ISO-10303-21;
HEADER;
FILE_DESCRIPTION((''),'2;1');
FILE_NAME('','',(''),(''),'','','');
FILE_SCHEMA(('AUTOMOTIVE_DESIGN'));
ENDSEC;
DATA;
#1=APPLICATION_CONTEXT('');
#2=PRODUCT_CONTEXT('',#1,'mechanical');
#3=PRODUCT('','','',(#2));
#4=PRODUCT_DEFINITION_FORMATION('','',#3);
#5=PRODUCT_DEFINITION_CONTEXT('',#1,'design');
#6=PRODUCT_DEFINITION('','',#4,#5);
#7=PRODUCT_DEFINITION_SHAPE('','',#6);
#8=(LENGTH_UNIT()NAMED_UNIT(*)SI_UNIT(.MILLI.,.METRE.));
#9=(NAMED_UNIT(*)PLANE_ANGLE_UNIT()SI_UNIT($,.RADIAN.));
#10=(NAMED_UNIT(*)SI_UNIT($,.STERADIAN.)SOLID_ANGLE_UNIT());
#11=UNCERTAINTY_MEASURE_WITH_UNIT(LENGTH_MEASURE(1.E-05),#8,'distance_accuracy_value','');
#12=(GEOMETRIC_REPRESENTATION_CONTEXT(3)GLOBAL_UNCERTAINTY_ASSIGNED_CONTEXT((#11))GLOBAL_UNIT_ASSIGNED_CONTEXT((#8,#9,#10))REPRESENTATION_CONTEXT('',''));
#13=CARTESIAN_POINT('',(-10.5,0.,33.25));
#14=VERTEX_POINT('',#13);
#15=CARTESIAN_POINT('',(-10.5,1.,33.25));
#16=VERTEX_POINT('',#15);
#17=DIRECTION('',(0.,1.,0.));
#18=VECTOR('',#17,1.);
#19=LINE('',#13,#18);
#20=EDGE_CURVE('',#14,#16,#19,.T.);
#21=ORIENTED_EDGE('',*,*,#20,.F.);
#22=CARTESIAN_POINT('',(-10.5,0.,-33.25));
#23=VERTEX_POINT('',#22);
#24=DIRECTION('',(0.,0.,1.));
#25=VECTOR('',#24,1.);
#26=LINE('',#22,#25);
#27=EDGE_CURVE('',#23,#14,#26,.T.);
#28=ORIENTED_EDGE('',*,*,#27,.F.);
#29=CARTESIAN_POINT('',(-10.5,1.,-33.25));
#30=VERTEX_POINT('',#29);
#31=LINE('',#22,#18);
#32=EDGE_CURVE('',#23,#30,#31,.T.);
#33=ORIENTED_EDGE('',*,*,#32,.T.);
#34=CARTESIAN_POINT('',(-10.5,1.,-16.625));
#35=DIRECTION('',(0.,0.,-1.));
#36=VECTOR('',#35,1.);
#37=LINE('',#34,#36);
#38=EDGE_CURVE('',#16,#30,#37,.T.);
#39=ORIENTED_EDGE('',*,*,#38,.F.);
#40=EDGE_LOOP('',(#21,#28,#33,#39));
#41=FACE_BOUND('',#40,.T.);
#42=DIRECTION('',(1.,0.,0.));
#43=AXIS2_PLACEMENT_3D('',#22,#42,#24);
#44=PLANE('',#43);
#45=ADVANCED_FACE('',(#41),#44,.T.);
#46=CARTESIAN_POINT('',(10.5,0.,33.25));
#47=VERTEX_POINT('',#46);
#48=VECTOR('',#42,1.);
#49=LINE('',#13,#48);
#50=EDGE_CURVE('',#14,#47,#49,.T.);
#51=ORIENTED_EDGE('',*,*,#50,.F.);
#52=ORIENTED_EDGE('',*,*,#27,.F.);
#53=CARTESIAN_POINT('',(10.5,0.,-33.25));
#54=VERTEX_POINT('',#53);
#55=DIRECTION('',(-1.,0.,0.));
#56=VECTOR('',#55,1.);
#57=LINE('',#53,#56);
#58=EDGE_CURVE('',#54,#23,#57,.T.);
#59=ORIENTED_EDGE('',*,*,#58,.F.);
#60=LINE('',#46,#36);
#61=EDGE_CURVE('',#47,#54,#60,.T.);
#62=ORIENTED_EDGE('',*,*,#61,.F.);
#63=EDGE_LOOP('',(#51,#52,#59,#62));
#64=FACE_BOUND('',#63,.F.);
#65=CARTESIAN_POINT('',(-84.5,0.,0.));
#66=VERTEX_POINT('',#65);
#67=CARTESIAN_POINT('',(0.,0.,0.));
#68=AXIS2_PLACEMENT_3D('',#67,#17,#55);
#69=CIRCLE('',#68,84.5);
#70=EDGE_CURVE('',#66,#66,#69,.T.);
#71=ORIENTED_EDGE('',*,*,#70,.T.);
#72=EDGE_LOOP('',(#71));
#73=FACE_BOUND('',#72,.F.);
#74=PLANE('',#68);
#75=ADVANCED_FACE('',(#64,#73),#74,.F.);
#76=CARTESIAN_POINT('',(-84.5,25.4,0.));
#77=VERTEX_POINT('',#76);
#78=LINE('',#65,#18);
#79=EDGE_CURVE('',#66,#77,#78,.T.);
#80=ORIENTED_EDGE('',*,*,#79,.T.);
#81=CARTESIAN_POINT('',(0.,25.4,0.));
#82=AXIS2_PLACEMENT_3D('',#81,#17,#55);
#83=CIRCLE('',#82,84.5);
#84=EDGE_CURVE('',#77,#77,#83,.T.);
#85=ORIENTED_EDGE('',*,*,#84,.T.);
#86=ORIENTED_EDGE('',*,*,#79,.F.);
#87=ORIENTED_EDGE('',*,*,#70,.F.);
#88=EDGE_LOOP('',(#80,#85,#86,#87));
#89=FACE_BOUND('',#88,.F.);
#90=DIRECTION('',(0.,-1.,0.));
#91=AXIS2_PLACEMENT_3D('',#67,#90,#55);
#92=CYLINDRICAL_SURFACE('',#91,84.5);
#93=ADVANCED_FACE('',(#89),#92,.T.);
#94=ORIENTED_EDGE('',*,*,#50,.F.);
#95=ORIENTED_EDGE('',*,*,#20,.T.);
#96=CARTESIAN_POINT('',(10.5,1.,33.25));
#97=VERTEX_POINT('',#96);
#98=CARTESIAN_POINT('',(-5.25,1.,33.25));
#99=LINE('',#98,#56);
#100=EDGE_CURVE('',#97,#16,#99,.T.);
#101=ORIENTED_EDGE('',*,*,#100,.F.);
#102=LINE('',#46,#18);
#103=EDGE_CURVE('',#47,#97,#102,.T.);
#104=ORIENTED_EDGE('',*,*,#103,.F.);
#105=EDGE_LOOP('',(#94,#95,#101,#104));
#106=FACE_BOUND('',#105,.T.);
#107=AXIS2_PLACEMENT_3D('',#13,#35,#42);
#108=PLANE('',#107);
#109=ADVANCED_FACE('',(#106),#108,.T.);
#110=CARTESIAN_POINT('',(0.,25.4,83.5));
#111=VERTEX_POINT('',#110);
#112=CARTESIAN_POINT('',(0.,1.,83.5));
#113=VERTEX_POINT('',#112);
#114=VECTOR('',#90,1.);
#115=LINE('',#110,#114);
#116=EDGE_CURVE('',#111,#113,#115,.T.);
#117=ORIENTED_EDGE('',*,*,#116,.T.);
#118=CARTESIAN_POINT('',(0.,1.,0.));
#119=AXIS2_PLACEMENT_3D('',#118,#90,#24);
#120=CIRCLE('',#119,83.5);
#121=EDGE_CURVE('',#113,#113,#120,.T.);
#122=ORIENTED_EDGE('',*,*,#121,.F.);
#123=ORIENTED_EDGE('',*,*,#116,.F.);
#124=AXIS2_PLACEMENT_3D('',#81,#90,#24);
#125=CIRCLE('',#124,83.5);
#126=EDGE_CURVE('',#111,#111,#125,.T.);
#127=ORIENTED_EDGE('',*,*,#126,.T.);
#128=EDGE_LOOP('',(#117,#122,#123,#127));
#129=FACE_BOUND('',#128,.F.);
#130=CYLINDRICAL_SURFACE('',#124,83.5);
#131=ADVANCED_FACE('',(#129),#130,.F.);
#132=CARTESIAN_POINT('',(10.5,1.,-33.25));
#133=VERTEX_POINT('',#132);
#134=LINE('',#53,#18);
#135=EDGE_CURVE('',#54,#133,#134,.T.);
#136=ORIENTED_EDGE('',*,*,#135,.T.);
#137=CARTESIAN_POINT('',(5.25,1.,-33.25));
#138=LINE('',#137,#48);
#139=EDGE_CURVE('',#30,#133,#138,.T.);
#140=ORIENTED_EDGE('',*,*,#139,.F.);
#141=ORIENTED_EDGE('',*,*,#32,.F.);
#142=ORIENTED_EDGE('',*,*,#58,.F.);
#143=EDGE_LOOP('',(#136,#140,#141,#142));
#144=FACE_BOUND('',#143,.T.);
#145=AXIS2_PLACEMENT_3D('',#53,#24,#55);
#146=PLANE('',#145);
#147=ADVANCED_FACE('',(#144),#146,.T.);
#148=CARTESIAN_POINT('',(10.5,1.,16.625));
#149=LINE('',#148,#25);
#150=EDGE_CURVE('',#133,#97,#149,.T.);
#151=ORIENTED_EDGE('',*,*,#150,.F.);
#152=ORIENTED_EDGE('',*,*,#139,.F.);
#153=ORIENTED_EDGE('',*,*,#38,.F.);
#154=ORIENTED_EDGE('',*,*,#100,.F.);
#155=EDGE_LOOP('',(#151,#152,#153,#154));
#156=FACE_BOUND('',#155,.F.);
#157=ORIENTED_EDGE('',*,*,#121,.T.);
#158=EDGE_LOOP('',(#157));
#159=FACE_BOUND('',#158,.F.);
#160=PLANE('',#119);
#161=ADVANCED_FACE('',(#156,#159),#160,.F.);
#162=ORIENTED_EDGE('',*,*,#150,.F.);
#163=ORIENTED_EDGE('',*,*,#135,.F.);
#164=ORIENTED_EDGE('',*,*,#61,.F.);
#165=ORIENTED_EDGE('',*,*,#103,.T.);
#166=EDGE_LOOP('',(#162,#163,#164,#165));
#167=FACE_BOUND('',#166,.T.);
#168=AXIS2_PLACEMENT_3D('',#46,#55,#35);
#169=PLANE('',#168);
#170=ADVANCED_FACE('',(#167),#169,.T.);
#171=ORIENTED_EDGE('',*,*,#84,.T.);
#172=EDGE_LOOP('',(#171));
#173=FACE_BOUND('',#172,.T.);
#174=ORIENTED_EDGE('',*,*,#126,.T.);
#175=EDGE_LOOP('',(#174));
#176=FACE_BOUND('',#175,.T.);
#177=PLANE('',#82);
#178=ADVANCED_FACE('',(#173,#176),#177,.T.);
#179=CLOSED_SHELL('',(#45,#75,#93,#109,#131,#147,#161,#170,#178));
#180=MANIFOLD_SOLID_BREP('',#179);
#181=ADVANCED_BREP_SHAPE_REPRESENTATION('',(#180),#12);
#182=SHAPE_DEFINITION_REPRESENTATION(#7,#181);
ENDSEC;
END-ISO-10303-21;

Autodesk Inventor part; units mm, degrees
ref_plane "XZ Plane" through (0, 0, 0) normal (0, 1, 0) x (-1, 0, 0)
ref_plane "XY Plane" through (0, 0, 0) normal (0, 0, 1) x (1, 0, 0)
sketch "Sketch1" plane through (0, 0, 0) normal (0, 1, 0) x (-1, 0, 0)
  circle A0 centre (0, 0) radius 84.5
  line L0 (10.5, 33.25) -> (-10.5, 33.25)
  line L1 (-10.5, 33.25) -> (-10.5, -33.25)
  line L2 (-10.5, -33.25) -> (10.5, -33.25)
  line L3 (10.5, -33.25) -> (10.5, 33.25)
  line L4 (10.5, 33.25) -> (-10.5, -33.25) construction
  line L5 (-10.5, 33.25) -> (10.5, -33.25) construction
  dimension "d0" = 169
  dimension "d1" = 21
  dimension "d2" = 66.5
ref_plane "Work Plane1" through (0, 0, 0) normal (1, 0, 0) x (0, 1, 0)
extrude "Extrusion2" add sketch "Sketch1" along normal blind 25.4
sketch "Sketch3" plane through (0, 25.4, 0) normal (0, 1, 0) x (1, 0, 0)
  circle A0 centre (0, 0) radius 83.5
  dimension "d63" = 167
hole "Hole2" at (0, 25.4, 0) direction (0, -1, 0) diameter 167 depth 24.4
properties part number "Bottom Cap"
